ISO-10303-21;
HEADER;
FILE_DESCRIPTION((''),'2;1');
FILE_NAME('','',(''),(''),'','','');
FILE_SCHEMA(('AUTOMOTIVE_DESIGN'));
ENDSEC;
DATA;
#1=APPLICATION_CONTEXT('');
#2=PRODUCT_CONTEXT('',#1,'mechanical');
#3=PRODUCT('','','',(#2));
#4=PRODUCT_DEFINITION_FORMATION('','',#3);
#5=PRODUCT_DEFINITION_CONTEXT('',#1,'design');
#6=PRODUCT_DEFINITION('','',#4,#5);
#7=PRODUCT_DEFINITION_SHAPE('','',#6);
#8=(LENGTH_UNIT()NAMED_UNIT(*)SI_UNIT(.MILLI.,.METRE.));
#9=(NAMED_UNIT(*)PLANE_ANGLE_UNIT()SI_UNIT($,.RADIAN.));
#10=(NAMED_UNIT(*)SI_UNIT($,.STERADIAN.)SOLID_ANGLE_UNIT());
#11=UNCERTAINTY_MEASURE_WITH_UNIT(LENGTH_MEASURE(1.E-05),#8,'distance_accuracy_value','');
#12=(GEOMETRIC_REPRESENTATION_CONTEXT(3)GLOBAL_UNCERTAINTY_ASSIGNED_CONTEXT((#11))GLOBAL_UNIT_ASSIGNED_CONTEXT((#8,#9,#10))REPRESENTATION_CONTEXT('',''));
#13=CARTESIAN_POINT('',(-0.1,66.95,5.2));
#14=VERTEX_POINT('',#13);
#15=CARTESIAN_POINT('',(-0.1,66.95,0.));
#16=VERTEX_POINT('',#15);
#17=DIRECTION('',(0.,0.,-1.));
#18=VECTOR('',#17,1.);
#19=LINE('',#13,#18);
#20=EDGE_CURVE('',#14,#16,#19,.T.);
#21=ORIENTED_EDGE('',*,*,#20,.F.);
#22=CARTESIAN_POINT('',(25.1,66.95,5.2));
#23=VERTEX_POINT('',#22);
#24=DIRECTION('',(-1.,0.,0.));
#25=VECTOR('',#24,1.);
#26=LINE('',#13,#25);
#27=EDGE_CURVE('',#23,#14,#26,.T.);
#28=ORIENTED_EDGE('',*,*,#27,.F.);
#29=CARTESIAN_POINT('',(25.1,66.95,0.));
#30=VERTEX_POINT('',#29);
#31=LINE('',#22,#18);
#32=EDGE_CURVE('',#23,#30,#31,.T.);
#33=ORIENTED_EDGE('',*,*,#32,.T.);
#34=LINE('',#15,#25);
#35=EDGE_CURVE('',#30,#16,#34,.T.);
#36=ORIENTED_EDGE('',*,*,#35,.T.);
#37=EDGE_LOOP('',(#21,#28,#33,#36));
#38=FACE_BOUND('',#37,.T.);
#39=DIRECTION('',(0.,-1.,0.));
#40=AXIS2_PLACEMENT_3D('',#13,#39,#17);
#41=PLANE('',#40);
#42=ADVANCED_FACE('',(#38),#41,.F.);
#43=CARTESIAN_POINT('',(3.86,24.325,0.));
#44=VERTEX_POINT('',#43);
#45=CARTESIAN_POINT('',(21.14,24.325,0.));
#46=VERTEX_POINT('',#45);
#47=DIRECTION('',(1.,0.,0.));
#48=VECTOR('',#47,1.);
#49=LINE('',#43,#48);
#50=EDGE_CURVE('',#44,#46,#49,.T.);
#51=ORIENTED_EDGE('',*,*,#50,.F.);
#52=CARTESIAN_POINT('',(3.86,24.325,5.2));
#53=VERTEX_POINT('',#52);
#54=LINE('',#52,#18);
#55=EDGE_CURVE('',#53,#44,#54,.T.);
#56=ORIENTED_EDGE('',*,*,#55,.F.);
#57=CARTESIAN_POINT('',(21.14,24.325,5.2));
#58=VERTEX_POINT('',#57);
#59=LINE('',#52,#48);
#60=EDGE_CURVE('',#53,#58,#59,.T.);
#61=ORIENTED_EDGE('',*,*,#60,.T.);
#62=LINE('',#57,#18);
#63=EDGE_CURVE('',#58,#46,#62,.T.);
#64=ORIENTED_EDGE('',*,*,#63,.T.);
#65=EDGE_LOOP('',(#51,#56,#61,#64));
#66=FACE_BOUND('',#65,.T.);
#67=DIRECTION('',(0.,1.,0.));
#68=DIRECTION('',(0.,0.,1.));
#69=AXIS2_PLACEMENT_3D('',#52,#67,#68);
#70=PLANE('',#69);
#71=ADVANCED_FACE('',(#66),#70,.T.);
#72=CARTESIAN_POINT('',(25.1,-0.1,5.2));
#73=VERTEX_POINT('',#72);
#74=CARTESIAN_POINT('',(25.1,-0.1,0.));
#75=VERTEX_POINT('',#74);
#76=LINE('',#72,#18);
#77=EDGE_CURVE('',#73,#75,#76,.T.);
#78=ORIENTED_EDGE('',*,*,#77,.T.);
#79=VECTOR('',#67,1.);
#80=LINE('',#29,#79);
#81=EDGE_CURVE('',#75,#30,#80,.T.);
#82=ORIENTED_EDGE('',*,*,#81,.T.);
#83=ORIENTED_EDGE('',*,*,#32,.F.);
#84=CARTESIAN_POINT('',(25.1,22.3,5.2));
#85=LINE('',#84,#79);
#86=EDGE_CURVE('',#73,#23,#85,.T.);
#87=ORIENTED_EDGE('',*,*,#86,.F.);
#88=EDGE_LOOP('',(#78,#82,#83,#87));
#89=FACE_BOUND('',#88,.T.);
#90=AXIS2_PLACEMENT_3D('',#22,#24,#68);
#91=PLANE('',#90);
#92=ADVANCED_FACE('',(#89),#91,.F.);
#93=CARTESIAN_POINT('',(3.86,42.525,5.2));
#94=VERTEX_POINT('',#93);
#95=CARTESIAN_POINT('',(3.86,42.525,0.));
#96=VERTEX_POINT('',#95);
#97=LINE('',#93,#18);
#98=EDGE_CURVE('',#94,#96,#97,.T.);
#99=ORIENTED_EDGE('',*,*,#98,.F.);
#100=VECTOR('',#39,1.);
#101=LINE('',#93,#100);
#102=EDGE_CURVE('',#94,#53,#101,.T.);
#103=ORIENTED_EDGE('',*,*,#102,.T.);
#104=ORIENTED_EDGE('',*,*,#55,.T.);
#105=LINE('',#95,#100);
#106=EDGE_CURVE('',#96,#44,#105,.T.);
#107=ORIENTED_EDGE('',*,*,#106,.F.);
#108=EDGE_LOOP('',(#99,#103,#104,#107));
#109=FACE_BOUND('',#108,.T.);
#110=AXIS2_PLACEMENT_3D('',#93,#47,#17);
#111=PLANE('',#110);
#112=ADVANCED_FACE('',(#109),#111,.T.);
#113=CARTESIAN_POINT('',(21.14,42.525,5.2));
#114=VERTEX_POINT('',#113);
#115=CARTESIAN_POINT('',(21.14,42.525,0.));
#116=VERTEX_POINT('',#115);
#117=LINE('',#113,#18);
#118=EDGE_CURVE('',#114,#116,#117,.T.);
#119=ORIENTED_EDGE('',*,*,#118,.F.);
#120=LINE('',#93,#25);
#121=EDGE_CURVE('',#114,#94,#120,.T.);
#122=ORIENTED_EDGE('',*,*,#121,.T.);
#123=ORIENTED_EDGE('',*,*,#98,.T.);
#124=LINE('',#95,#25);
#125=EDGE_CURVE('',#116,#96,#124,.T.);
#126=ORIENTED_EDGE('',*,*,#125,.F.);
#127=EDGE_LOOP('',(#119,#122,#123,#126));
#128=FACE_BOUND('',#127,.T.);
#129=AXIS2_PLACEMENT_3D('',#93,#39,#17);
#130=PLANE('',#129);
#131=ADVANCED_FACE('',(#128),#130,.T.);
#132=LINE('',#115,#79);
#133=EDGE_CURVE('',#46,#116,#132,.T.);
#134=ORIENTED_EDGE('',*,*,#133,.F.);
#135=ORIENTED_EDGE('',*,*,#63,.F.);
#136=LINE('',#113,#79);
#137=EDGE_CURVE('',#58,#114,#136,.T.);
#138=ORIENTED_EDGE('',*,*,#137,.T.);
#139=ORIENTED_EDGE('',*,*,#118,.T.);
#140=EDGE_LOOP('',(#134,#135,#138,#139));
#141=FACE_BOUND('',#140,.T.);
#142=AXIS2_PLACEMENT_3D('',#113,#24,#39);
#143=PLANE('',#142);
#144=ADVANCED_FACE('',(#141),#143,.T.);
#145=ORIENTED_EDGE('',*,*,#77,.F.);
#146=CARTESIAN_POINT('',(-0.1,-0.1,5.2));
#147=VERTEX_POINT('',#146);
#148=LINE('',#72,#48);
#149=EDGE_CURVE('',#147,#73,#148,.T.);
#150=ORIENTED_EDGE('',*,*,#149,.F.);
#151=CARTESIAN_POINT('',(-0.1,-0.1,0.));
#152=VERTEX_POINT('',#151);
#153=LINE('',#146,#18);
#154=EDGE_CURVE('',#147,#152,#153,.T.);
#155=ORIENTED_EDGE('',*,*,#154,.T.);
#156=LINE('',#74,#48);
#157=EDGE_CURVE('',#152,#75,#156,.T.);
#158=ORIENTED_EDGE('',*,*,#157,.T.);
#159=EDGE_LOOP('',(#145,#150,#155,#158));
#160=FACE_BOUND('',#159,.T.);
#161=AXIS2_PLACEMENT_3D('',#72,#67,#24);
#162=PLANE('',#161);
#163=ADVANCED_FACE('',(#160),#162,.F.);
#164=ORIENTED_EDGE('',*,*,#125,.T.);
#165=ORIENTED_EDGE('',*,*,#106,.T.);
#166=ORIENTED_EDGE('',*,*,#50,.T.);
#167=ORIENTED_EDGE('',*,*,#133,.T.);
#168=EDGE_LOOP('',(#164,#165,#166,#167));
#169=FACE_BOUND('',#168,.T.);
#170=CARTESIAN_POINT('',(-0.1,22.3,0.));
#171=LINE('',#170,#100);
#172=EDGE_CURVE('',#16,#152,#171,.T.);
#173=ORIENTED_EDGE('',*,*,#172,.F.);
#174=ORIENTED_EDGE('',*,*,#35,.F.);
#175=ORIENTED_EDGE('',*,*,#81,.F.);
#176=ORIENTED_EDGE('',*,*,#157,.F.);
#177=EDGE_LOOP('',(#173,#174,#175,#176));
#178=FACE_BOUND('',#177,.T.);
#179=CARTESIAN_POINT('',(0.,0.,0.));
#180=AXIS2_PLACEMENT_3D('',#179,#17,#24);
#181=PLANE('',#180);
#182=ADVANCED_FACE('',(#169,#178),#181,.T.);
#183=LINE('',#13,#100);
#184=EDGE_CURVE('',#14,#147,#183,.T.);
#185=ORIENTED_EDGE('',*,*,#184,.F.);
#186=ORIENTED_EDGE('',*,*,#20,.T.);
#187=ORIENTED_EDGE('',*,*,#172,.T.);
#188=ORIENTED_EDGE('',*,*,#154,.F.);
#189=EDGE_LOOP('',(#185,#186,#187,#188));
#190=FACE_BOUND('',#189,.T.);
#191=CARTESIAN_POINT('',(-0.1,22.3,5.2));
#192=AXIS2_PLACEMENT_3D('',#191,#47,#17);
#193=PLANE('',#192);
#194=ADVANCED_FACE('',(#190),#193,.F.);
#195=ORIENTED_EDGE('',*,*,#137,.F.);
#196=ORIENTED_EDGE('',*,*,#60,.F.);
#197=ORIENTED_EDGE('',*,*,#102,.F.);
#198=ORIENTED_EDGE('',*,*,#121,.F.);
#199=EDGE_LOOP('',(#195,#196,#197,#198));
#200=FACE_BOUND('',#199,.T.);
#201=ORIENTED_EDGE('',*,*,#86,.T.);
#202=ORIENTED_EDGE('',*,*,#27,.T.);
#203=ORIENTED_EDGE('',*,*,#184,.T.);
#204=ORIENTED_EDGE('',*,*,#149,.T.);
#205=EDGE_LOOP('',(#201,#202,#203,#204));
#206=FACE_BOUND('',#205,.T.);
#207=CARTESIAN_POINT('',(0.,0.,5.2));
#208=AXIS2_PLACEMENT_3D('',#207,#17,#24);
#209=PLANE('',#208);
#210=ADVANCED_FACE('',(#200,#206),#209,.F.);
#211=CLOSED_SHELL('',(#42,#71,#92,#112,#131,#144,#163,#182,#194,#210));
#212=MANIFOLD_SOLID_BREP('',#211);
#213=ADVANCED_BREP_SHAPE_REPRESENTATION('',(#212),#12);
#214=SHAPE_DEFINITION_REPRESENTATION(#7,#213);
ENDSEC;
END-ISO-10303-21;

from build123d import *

# Parameters (mm, degrees)
SKETCH1_W           = 17.28
SKETCH1_H           = 18.2
BOSS_EXTRUDE1_DEPTH = 5.2


with BuildPart() as part:
    # Sketch1 → Boss-Extrude1 (new body)
    with BuildSketch(Plane.XY):
        Polygon((-0.1, 66.95), (25.1, 66.95), (25.1, 44.55), (25.1, 39.4), (25.1, 27.45), (25.1, 22.3), (25.1, -0.1), (-0.1, -0.1), (-0.1, 22.3), (-0.1, 27.45), (-0.1, 39.4), (-0.1, 44.55), align=None)
        with Locations((12.5, 33.425)):
            Rectangle(SKETCH1_W, SKETCH1_H, mode=Mode.SUBTRACT)
    extrude(amount=BOSS_EXTRUDE1_DEPTH)


solid = part.part
